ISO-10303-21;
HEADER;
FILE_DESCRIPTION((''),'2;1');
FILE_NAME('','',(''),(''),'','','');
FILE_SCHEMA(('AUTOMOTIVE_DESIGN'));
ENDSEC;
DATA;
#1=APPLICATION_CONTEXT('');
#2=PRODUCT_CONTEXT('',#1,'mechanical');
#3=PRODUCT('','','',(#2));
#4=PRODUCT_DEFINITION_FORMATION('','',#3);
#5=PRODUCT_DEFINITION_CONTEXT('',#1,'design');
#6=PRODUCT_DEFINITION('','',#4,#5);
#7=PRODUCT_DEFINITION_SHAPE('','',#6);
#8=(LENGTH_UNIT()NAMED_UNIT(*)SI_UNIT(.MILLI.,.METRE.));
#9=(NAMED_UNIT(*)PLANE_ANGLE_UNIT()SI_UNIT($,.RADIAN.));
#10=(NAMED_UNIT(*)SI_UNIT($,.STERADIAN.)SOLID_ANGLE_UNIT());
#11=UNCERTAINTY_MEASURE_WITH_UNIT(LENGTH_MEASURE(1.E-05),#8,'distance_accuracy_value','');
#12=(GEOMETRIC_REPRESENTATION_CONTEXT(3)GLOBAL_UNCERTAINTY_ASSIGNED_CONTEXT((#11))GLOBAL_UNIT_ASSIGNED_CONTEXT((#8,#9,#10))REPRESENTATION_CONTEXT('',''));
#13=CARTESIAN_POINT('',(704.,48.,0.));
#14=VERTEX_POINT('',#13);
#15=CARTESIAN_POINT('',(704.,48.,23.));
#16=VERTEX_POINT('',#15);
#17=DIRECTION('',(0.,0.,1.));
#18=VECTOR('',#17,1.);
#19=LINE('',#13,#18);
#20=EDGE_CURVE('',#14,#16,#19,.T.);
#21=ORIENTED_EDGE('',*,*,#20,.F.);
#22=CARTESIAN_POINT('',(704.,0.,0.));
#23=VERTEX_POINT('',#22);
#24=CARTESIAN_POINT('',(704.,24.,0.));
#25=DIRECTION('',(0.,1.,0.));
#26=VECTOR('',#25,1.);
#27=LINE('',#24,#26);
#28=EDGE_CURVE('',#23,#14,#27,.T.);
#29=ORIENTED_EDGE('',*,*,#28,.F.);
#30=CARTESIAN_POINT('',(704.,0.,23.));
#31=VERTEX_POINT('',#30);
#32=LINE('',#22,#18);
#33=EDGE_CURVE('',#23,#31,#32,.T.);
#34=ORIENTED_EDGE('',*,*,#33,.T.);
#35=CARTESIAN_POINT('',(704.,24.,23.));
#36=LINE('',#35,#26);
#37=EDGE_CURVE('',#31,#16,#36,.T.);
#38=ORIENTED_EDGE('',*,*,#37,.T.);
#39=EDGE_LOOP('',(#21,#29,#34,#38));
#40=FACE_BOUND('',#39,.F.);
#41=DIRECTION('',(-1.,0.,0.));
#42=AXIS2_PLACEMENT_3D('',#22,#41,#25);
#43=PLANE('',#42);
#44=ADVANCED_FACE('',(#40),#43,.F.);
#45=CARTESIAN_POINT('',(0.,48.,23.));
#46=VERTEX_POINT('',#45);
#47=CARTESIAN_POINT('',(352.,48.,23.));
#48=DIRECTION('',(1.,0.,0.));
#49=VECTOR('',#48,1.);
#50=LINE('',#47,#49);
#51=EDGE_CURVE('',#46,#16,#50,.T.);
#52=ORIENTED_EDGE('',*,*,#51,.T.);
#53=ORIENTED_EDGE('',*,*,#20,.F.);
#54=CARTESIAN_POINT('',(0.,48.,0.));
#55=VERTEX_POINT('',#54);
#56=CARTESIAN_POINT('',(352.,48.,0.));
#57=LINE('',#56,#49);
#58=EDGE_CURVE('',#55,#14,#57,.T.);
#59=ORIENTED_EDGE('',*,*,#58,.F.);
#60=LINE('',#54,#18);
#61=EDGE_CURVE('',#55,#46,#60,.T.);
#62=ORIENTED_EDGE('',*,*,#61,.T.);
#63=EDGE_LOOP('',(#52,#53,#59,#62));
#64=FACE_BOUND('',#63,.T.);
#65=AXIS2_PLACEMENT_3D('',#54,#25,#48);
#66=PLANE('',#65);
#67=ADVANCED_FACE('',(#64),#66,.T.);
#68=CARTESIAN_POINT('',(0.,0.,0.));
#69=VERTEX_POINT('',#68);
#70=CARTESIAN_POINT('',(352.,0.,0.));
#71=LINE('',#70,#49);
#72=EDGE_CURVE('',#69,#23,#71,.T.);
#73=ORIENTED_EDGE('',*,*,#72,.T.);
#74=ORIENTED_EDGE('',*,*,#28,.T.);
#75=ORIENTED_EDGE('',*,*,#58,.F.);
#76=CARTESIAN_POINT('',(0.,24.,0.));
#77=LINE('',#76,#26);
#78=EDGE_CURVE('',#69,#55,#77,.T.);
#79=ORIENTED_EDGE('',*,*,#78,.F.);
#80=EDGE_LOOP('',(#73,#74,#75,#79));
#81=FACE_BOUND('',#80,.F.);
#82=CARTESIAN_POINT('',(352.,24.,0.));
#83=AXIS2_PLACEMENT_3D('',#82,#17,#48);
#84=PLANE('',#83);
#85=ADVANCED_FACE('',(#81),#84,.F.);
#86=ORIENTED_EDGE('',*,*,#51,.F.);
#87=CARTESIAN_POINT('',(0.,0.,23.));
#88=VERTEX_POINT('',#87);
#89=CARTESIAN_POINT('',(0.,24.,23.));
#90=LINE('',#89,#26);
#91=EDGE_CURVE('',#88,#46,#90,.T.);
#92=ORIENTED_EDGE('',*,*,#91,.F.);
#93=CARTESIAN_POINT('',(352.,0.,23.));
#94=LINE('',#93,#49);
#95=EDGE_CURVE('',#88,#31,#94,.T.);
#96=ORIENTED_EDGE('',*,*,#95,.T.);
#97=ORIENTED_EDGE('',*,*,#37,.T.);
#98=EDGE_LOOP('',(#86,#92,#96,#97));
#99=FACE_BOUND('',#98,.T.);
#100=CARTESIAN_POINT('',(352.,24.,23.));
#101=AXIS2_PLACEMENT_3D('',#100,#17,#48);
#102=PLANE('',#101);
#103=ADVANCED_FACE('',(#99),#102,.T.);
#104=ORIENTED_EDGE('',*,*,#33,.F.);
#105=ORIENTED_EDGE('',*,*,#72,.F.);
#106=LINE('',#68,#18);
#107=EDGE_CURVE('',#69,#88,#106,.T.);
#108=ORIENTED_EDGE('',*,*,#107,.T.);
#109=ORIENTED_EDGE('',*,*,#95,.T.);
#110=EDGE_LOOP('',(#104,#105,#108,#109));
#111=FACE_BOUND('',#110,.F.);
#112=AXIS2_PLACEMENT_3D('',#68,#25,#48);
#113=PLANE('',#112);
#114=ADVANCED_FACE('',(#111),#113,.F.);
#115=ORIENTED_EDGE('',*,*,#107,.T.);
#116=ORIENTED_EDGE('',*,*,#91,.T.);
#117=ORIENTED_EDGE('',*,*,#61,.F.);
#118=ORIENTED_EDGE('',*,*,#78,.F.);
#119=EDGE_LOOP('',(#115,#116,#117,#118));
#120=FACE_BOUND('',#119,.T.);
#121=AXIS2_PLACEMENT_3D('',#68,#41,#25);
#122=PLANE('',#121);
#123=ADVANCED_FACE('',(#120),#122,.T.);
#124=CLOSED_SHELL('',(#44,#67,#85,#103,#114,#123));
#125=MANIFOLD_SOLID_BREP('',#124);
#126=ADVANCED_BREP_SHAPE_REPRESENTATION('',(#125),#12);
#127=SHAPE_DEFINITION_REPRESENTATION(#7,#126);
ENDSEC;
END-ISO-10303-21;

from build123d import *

# Parameters (mm, degrees)
BOX_W     = 704
BOX_H     = 48
BOX_DEPTH = 23


with BuildPart() as part:
    # Box → Box (new body)
    with BuildSketch(Plane.XY):
        with Locations((352, 24)):
            Rectangle(BOX_W, BOX_H)
    extrude(amount=BOX_DEPTH)


solid = part.part
